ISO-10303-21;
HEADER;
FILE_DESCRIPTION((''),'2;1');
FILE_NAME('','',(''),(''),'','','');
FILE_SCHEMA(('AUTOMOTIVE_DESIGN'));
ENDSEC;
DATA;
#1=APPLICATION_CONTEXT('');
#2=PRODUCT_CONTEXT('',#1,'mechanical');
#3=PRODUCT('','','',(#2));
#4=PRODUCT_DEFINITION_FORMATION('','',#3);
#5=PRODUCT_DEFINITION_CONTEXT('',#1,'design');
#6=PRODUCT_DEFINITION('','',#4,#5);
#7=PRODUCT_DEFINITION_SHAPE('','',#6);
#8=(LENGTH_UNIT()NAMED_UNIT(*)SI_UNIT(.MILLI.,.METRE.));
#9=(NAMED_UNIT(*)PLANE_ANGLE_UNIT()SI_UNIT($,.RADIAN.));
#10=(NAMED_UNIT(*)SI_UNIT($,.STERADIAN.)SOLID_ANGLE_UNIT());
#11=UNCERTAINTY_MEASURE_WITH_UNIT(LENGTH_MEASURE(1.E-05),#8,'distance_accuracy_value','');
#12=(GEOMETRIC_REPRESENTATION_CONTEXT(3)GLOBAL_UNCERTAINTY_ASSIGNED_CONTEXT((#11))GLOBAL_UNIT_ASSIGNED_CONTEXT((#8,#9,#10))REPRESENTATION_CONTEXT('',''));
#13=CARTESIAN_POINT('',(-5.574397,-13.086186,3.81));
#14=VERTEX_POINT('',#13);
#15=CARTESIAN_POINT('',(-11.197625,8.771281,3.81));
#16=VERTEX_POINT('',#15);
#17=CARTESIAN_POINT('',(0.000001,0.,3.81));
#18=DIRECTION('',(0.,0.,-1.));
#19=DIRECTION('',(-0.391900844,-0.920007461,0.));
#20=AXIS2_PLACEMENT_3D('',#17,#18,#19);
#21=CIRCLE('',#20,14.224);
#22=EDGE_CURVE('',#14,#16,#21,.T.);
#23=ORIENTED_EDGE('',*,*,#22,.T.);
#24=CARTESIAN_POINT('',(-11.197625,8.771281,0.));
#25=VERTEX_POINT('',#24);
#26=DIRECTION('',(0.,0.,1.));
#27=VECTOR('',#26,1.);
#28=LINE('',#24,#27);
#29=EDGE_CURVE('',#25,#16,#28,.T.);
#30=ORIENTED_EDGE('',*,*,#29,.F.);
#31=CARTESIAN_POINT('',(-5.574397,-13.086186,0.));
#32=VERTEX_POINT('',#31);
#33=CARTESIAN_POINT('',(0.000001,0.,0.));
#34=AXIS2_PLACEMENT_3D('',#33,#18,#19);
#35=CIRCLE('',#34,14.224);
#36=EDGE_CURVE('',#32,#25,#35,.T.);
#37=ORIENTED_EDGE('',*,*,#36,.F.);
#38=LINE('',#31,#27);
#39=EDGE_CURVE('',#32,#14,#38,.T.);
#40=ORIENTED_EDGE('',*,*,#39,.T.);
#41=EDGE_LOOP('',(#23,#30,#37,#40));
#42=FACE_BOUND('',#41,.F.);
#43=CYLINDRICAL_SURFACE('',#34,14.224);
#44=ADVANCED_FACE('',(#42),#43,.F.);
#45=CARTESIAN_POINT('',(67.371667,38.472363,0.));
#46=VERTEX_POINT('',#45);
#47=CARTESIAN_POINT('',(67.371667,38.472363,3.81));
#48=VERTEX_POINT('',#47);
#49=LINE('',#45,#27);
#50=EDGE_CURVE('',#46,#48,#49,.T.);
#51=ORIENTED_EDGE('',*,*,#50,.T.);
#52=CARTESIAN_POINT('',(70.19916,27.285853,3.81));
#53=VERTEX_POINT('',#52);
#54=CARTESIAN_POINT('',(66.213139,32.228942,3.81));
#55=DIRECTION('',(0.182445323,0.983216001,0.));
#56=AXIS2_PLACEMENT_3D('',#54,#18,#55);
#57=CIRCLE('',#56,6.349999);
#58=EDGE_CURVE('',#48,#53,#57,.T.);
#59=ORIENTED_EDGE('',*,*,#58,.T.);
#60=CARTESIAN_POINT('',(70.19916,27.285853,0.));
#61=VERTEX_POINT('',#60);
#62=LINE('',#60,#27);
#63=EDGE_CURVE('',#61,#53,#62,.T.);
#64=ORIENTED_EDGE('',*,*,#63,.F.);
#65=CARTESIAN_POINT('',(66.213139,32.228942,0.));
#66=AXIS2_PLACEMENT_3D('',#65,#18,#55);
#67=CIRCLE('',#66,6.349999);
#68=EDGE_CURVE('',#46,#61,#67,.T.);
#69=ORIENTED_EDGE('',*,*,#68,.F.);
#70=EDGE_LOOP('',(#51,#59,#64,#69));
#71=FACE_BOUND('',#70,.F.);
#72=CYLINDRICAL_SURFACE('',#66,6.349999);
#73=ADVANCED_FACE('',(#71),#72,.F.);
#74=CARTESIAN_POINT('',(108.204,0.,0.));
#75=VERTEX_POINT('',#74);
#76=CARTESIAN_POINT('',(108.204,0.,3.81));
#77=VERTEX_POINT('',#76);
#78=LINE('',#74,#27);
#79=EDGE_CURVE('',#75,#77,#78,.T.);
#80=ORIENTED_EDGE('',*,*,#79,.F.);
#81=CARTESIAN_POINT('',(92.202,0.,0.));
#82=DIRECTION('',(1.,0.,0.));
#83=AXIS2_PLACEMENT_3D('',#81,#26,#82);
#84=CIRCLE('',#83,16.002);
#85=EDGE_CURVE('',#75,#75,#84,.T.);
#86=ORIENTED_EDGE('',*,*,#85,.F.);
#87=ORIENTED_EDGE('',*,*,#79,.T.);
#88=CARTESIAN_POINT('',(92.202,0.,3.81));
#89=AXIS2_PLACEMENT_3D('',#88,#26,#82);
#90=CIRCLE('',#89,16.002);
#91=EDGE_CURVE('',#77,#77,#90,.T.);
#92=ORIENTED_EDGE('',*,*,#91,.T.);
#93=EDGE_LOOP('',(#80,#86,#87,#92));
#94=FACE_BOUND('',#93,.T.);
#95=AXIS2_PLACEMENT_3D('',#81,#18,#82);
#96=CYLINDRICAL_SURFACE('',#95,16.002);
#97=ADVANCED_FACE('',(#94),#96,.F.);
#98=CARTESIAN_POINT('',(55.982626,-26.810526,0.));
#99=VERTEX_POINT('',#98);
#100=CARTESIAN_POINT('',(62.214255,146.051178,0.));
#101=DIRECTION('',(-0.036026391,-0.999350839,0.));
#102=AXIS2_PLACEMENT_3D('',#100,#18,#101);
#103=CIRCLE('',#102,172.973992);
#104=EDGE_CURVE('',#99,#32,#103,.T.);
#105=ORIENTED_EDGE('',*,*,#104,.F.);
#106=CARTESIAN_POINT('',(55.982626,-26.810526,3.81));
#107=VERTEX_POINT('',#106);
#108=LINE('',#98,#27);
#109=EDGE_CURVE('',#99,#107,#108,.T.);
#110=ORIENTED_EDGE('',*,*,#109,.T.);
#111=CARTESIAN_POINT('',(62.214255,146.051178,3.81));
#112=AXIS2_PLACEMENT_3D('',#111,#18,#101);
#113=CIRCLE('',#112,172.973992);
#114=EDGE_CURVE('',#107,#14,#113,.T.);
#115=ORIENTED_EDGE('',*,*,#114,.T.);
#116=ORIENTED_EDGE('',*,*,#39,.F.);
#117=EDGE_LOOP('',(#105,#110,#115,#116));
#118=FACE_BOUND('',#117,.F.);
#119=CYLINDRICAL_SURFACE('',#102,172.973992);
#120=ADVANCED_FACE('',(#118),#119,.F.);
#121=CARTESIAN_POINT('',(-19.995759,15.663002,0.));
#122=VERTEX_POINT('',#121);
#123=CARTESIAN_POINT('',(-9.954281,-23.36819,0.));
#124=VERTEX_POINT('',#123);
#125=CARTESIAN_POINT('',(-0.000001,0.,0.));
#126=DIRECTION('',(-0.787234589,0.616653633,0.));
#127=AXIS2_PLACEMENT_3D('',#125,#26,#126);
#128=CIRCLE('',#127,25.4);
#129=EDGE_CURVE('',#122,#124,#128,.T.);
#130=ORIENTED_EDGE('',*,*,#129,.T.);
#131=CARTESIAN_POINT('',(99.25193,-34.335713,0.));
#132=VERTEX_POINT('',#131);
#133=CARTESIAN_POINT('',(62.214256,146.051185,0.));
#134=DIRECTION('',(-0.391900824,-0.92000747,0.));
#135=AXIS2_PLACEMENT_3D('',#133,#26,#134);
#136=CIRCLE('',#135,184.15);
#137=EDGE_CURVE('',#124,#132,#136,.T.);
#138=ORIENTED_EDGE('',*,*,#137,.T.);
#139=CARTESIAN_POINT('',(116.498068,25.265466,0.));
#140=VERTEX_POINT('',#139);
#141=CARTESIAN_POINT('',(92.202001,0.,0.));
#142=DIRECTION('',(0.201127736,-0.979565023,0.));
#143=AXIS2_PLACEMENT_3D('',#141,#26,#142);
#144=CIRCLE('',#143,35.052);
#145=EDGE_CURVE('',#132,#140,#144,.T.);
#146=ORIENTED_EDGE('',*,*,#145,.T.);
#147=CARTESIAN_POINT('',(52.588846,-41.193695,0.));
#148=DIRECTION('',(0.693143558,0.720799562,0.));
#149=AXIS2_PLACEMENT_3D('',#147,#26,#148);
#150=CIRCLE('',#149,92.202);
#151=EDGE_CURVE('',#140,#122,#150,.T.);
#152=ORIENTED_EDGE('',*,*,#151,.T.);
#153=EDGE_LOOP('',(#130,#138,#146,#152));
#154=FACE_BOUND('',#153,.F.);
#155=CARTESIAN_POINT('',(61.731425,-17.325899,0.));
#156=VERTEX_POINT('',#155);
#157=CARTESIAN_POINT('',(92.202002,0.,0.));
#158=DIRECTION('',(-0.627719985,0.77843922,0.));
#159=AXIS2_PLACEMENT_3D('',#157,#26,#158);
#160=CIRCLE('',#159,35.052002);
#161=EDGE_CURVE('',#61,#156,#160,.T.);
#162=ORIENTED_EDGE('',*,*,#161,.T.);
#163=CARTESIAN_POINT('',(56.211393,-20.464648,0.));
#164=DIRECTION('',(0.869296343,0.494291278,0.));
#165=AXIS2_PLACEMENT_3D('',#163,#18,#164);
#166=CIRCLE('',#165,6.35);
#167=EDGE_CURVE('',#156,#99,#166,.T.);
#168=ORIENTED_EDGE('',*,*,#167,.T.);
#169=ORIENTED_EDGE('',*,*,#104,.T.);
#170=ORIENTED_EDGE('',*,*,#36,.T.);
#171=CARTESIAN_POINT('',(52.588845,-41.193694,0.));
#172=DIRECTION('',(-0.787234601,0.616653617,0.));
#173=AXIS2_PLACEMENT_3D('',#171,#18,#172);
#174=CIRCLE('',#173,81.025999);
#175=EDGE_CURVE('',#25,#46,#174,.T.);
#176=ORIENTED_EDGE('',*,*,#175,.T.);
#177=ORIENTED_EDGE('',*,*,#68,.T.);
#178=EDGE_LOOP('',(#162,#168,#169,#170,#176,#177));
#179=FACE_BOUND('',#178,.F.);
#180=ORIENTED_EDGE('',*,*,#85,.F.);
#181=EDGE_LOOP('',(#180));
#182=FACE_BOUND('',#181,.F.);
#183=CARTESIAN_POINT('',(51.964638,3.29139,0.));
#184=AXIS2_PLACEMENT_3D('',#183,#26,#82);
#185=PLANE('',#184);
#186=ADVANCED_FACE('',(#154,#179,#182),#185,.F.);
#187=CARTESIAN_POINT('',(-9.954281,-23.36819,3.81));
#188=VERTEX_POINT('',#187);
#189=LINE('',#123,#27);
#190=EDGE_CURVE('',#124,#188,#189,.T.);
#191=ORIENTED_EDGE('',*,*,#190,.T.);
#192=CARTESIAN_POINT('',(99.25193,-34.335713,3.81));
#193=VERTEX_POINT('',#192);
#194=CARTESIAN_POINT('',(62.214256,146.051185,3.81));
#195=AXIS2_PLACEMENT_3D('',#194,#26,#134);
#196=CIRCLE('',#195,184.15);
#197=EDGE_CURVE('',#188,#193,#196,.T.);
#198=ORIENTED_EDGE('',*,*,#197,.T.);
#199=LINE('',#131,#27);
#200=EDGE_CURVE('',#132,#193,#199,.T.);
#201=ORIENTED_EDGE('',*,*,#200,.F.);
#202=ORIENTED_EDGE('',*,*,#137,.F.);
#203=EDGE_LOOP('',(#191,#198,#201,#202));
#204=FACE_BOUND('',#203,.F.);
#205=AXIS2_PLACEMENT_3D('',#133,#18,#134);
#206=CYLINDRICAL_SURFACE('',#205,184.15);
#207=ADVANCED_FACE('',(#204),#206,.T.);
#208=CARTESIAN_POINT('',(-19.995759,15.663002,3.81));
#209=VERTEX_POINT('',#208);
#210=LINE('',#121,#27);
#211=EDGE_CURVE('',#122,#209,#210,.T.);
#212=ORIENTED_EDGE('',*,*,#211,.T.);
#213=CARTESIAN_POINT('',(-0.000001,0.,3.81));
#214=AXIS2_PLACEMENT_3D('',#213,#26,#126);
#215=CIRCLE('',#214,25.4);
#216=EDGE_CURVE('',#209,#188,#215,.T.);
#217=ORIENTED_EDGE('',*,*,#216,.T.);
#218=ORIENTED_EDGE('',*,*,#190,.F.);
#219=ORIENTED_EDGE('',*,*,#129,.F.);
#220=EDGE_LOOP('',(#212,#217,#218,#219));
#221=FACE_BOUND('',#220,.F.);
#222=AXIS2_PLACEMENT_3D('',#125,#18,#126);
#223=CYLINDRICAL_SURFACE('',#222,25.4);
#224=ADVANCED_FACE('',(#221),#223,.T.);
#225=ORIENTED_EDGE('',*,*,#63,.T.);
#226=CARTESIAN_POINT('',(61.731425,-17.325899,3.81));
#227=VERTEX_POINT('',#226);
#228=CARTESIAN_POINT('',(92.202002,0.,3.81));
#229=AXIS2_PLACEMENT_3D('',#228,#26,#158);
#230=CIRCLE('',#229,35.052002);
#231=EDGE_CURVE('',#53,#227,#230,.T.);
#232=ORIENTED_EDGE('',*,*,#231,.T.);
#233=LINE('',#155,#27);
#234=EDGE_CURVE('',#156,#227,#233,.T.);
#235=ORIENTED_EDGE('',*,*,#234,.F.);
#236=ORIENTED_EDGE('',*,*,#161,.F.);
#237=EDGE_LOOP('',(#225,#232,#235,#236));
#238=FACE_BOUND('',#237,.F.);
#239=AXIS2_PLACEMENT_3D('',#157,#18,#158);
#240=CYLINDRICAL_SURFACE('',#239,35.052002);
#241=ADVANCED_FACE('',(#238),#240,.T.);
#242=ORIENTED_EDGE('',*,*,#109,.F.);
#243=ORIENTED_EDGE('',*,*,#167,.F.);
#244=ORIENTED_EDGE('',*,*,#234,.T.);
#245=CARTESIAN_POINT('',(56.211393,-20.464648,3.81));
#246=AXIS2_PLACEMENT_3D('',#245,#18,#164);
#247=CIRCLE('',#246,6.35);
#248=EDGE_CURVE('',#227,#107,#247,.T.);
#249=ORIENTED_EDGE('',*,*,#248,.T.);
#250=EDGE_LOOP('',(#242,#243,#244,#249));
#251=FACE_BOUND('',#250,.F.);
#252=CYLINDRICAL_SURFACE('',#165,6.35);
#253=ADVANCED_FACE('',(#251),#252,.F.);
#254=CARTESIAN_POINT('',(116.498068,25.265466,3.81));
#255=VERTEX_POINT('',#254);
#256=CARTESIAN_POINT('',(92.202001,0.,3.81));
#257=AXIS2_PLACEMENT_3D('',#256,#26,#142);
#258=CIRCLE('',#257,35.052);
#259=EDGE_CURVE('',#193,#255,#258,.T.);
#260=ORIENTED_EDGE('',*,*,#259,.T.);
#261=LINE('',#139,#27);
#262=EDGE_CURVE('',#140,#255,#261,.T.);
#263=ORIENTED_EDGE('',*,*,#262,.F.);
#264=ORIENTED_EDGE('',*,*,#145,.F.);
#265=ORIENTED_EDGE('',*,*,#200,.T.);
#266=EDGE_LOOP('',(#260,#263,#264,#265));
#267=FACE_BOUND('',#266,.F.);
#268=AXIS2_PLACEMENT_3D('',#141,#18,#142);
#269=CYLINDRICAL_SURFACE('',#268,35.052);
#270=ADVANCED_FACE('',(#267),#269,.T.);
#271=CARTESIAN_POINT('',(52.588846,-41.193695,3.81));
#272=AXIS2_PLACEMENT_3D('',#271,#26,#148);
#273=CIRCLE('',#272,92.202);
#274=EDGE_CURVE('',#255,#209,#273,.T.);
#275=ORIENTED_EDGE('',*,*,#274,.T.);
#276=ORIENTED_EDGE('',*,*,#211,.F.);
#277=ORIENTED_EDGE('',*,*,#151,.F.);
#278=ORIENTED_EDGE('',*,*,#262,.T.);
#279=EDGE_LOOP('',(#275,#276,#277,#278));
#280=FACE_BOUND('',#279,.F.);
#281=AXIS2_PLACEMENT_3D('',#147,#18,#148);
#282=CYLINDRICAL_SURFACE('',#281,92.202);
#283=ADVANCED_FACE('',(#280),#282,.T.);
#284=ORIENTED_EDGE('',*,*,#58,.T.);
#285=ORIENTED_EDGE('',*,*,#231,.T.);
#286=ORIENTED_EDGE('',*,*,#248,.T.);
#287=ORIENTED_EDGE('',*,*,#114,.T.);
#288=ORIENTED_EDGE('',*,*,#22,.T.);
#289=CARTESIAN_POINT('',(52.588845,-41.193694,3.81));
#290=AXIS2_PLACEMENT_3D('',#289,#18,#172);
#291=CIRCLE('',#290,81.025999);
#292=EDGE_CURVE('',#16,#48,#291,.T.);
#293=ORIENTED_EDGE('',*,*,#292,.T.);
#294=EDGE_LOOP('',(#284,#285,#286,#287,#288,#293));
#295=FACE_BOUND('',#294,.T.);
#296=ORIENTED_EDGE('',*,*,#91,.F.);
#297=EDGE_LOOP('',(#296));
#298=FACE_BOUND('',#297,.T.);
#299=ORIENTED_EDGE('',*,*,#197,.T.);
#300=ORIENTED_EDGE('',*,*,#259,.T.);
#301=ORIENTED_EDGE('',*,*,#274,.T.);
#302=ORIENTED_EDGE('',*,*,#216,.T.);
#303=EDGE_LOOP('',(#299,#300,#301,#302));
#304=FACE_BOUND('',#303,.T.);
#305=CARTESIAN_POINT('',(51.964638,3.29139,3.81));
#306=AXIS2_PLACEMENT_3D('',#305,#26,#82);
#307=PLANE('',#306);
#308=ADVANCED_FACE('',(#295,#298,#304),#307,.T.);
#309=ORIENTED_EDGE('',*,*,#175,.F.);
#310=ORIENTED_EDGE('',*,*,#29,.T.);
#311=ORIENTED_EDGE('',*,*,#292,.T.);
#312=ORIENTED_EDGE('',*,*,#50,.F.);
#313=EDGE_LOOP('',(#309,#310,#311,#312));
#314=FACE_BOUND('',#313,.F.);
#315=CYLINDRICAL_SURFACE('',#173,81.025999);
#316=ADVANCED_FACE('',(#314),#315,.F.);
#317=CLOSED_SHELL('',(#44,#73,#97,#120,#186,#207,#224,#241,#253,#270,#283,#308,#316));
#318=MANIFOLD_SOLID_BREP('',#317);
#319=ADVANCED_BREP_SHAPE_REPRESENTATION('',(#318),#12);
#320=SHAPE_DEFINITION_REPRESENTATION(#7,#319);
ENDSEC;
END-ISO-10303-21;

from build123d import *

# Parameters (mm, degrees)
F0_R     = 16.002
F1_DEPTH = 3.81


with BuildPart() as f1:
    # F0 (on Top) → F1 (new body)
    with BuildSketch(Plane.XY):
        with BuildLine():
            ThreePointArc((116.498068, 25.265466), (46.118344, 50.780983), (-19.995759, 15.663002))
            ThreePointArc((-19.995759, 15.663002), (-24.598978, -6.328531), (-9.954281, -23.36819))
            ThreePointArc((-9.954281, -23.36819), (43.812733, -37.177105), (99.25193, -34.335713))
            ThreePointArc((99.25193, -34.335713), (125.87273, -9.742929), (116.498068, 25.265466))
        make_face()
        with Locations((92.202, 0)):
            Circle(F0_R, mode=Mode.SUBTRACT)
        with BuildLine():
            ThreePointArc((67.371667, 38.472363), (72.369526, 33.785025), (70.19916, 27.285853))
            ThreePointArc((70.19916, 27.285853), (57.764856, 6.536498), (61.731425, -17.325899))
            ThreePointArc((61.731425, -17.325899), (61.641762, -23.756091), (55.982626, -26.810526))
            ThreePointArc((55.982626, -26.810526), (24.573321, -22.777617), (-5.574397, -13.086186))
            ThreePointArc((-5.574397, -13.086186), (-13.775427, -3.543977), (-11.197625, 8.771281))
            ThreePointArc((-11.197625, 8.771281), (23.937877, 34.597694), (67.371667, 38.472363))
        make_face(mode=Mode.SUBTRACT)
    extrude(amount=F1_DEPTH)


solid = f1.part
